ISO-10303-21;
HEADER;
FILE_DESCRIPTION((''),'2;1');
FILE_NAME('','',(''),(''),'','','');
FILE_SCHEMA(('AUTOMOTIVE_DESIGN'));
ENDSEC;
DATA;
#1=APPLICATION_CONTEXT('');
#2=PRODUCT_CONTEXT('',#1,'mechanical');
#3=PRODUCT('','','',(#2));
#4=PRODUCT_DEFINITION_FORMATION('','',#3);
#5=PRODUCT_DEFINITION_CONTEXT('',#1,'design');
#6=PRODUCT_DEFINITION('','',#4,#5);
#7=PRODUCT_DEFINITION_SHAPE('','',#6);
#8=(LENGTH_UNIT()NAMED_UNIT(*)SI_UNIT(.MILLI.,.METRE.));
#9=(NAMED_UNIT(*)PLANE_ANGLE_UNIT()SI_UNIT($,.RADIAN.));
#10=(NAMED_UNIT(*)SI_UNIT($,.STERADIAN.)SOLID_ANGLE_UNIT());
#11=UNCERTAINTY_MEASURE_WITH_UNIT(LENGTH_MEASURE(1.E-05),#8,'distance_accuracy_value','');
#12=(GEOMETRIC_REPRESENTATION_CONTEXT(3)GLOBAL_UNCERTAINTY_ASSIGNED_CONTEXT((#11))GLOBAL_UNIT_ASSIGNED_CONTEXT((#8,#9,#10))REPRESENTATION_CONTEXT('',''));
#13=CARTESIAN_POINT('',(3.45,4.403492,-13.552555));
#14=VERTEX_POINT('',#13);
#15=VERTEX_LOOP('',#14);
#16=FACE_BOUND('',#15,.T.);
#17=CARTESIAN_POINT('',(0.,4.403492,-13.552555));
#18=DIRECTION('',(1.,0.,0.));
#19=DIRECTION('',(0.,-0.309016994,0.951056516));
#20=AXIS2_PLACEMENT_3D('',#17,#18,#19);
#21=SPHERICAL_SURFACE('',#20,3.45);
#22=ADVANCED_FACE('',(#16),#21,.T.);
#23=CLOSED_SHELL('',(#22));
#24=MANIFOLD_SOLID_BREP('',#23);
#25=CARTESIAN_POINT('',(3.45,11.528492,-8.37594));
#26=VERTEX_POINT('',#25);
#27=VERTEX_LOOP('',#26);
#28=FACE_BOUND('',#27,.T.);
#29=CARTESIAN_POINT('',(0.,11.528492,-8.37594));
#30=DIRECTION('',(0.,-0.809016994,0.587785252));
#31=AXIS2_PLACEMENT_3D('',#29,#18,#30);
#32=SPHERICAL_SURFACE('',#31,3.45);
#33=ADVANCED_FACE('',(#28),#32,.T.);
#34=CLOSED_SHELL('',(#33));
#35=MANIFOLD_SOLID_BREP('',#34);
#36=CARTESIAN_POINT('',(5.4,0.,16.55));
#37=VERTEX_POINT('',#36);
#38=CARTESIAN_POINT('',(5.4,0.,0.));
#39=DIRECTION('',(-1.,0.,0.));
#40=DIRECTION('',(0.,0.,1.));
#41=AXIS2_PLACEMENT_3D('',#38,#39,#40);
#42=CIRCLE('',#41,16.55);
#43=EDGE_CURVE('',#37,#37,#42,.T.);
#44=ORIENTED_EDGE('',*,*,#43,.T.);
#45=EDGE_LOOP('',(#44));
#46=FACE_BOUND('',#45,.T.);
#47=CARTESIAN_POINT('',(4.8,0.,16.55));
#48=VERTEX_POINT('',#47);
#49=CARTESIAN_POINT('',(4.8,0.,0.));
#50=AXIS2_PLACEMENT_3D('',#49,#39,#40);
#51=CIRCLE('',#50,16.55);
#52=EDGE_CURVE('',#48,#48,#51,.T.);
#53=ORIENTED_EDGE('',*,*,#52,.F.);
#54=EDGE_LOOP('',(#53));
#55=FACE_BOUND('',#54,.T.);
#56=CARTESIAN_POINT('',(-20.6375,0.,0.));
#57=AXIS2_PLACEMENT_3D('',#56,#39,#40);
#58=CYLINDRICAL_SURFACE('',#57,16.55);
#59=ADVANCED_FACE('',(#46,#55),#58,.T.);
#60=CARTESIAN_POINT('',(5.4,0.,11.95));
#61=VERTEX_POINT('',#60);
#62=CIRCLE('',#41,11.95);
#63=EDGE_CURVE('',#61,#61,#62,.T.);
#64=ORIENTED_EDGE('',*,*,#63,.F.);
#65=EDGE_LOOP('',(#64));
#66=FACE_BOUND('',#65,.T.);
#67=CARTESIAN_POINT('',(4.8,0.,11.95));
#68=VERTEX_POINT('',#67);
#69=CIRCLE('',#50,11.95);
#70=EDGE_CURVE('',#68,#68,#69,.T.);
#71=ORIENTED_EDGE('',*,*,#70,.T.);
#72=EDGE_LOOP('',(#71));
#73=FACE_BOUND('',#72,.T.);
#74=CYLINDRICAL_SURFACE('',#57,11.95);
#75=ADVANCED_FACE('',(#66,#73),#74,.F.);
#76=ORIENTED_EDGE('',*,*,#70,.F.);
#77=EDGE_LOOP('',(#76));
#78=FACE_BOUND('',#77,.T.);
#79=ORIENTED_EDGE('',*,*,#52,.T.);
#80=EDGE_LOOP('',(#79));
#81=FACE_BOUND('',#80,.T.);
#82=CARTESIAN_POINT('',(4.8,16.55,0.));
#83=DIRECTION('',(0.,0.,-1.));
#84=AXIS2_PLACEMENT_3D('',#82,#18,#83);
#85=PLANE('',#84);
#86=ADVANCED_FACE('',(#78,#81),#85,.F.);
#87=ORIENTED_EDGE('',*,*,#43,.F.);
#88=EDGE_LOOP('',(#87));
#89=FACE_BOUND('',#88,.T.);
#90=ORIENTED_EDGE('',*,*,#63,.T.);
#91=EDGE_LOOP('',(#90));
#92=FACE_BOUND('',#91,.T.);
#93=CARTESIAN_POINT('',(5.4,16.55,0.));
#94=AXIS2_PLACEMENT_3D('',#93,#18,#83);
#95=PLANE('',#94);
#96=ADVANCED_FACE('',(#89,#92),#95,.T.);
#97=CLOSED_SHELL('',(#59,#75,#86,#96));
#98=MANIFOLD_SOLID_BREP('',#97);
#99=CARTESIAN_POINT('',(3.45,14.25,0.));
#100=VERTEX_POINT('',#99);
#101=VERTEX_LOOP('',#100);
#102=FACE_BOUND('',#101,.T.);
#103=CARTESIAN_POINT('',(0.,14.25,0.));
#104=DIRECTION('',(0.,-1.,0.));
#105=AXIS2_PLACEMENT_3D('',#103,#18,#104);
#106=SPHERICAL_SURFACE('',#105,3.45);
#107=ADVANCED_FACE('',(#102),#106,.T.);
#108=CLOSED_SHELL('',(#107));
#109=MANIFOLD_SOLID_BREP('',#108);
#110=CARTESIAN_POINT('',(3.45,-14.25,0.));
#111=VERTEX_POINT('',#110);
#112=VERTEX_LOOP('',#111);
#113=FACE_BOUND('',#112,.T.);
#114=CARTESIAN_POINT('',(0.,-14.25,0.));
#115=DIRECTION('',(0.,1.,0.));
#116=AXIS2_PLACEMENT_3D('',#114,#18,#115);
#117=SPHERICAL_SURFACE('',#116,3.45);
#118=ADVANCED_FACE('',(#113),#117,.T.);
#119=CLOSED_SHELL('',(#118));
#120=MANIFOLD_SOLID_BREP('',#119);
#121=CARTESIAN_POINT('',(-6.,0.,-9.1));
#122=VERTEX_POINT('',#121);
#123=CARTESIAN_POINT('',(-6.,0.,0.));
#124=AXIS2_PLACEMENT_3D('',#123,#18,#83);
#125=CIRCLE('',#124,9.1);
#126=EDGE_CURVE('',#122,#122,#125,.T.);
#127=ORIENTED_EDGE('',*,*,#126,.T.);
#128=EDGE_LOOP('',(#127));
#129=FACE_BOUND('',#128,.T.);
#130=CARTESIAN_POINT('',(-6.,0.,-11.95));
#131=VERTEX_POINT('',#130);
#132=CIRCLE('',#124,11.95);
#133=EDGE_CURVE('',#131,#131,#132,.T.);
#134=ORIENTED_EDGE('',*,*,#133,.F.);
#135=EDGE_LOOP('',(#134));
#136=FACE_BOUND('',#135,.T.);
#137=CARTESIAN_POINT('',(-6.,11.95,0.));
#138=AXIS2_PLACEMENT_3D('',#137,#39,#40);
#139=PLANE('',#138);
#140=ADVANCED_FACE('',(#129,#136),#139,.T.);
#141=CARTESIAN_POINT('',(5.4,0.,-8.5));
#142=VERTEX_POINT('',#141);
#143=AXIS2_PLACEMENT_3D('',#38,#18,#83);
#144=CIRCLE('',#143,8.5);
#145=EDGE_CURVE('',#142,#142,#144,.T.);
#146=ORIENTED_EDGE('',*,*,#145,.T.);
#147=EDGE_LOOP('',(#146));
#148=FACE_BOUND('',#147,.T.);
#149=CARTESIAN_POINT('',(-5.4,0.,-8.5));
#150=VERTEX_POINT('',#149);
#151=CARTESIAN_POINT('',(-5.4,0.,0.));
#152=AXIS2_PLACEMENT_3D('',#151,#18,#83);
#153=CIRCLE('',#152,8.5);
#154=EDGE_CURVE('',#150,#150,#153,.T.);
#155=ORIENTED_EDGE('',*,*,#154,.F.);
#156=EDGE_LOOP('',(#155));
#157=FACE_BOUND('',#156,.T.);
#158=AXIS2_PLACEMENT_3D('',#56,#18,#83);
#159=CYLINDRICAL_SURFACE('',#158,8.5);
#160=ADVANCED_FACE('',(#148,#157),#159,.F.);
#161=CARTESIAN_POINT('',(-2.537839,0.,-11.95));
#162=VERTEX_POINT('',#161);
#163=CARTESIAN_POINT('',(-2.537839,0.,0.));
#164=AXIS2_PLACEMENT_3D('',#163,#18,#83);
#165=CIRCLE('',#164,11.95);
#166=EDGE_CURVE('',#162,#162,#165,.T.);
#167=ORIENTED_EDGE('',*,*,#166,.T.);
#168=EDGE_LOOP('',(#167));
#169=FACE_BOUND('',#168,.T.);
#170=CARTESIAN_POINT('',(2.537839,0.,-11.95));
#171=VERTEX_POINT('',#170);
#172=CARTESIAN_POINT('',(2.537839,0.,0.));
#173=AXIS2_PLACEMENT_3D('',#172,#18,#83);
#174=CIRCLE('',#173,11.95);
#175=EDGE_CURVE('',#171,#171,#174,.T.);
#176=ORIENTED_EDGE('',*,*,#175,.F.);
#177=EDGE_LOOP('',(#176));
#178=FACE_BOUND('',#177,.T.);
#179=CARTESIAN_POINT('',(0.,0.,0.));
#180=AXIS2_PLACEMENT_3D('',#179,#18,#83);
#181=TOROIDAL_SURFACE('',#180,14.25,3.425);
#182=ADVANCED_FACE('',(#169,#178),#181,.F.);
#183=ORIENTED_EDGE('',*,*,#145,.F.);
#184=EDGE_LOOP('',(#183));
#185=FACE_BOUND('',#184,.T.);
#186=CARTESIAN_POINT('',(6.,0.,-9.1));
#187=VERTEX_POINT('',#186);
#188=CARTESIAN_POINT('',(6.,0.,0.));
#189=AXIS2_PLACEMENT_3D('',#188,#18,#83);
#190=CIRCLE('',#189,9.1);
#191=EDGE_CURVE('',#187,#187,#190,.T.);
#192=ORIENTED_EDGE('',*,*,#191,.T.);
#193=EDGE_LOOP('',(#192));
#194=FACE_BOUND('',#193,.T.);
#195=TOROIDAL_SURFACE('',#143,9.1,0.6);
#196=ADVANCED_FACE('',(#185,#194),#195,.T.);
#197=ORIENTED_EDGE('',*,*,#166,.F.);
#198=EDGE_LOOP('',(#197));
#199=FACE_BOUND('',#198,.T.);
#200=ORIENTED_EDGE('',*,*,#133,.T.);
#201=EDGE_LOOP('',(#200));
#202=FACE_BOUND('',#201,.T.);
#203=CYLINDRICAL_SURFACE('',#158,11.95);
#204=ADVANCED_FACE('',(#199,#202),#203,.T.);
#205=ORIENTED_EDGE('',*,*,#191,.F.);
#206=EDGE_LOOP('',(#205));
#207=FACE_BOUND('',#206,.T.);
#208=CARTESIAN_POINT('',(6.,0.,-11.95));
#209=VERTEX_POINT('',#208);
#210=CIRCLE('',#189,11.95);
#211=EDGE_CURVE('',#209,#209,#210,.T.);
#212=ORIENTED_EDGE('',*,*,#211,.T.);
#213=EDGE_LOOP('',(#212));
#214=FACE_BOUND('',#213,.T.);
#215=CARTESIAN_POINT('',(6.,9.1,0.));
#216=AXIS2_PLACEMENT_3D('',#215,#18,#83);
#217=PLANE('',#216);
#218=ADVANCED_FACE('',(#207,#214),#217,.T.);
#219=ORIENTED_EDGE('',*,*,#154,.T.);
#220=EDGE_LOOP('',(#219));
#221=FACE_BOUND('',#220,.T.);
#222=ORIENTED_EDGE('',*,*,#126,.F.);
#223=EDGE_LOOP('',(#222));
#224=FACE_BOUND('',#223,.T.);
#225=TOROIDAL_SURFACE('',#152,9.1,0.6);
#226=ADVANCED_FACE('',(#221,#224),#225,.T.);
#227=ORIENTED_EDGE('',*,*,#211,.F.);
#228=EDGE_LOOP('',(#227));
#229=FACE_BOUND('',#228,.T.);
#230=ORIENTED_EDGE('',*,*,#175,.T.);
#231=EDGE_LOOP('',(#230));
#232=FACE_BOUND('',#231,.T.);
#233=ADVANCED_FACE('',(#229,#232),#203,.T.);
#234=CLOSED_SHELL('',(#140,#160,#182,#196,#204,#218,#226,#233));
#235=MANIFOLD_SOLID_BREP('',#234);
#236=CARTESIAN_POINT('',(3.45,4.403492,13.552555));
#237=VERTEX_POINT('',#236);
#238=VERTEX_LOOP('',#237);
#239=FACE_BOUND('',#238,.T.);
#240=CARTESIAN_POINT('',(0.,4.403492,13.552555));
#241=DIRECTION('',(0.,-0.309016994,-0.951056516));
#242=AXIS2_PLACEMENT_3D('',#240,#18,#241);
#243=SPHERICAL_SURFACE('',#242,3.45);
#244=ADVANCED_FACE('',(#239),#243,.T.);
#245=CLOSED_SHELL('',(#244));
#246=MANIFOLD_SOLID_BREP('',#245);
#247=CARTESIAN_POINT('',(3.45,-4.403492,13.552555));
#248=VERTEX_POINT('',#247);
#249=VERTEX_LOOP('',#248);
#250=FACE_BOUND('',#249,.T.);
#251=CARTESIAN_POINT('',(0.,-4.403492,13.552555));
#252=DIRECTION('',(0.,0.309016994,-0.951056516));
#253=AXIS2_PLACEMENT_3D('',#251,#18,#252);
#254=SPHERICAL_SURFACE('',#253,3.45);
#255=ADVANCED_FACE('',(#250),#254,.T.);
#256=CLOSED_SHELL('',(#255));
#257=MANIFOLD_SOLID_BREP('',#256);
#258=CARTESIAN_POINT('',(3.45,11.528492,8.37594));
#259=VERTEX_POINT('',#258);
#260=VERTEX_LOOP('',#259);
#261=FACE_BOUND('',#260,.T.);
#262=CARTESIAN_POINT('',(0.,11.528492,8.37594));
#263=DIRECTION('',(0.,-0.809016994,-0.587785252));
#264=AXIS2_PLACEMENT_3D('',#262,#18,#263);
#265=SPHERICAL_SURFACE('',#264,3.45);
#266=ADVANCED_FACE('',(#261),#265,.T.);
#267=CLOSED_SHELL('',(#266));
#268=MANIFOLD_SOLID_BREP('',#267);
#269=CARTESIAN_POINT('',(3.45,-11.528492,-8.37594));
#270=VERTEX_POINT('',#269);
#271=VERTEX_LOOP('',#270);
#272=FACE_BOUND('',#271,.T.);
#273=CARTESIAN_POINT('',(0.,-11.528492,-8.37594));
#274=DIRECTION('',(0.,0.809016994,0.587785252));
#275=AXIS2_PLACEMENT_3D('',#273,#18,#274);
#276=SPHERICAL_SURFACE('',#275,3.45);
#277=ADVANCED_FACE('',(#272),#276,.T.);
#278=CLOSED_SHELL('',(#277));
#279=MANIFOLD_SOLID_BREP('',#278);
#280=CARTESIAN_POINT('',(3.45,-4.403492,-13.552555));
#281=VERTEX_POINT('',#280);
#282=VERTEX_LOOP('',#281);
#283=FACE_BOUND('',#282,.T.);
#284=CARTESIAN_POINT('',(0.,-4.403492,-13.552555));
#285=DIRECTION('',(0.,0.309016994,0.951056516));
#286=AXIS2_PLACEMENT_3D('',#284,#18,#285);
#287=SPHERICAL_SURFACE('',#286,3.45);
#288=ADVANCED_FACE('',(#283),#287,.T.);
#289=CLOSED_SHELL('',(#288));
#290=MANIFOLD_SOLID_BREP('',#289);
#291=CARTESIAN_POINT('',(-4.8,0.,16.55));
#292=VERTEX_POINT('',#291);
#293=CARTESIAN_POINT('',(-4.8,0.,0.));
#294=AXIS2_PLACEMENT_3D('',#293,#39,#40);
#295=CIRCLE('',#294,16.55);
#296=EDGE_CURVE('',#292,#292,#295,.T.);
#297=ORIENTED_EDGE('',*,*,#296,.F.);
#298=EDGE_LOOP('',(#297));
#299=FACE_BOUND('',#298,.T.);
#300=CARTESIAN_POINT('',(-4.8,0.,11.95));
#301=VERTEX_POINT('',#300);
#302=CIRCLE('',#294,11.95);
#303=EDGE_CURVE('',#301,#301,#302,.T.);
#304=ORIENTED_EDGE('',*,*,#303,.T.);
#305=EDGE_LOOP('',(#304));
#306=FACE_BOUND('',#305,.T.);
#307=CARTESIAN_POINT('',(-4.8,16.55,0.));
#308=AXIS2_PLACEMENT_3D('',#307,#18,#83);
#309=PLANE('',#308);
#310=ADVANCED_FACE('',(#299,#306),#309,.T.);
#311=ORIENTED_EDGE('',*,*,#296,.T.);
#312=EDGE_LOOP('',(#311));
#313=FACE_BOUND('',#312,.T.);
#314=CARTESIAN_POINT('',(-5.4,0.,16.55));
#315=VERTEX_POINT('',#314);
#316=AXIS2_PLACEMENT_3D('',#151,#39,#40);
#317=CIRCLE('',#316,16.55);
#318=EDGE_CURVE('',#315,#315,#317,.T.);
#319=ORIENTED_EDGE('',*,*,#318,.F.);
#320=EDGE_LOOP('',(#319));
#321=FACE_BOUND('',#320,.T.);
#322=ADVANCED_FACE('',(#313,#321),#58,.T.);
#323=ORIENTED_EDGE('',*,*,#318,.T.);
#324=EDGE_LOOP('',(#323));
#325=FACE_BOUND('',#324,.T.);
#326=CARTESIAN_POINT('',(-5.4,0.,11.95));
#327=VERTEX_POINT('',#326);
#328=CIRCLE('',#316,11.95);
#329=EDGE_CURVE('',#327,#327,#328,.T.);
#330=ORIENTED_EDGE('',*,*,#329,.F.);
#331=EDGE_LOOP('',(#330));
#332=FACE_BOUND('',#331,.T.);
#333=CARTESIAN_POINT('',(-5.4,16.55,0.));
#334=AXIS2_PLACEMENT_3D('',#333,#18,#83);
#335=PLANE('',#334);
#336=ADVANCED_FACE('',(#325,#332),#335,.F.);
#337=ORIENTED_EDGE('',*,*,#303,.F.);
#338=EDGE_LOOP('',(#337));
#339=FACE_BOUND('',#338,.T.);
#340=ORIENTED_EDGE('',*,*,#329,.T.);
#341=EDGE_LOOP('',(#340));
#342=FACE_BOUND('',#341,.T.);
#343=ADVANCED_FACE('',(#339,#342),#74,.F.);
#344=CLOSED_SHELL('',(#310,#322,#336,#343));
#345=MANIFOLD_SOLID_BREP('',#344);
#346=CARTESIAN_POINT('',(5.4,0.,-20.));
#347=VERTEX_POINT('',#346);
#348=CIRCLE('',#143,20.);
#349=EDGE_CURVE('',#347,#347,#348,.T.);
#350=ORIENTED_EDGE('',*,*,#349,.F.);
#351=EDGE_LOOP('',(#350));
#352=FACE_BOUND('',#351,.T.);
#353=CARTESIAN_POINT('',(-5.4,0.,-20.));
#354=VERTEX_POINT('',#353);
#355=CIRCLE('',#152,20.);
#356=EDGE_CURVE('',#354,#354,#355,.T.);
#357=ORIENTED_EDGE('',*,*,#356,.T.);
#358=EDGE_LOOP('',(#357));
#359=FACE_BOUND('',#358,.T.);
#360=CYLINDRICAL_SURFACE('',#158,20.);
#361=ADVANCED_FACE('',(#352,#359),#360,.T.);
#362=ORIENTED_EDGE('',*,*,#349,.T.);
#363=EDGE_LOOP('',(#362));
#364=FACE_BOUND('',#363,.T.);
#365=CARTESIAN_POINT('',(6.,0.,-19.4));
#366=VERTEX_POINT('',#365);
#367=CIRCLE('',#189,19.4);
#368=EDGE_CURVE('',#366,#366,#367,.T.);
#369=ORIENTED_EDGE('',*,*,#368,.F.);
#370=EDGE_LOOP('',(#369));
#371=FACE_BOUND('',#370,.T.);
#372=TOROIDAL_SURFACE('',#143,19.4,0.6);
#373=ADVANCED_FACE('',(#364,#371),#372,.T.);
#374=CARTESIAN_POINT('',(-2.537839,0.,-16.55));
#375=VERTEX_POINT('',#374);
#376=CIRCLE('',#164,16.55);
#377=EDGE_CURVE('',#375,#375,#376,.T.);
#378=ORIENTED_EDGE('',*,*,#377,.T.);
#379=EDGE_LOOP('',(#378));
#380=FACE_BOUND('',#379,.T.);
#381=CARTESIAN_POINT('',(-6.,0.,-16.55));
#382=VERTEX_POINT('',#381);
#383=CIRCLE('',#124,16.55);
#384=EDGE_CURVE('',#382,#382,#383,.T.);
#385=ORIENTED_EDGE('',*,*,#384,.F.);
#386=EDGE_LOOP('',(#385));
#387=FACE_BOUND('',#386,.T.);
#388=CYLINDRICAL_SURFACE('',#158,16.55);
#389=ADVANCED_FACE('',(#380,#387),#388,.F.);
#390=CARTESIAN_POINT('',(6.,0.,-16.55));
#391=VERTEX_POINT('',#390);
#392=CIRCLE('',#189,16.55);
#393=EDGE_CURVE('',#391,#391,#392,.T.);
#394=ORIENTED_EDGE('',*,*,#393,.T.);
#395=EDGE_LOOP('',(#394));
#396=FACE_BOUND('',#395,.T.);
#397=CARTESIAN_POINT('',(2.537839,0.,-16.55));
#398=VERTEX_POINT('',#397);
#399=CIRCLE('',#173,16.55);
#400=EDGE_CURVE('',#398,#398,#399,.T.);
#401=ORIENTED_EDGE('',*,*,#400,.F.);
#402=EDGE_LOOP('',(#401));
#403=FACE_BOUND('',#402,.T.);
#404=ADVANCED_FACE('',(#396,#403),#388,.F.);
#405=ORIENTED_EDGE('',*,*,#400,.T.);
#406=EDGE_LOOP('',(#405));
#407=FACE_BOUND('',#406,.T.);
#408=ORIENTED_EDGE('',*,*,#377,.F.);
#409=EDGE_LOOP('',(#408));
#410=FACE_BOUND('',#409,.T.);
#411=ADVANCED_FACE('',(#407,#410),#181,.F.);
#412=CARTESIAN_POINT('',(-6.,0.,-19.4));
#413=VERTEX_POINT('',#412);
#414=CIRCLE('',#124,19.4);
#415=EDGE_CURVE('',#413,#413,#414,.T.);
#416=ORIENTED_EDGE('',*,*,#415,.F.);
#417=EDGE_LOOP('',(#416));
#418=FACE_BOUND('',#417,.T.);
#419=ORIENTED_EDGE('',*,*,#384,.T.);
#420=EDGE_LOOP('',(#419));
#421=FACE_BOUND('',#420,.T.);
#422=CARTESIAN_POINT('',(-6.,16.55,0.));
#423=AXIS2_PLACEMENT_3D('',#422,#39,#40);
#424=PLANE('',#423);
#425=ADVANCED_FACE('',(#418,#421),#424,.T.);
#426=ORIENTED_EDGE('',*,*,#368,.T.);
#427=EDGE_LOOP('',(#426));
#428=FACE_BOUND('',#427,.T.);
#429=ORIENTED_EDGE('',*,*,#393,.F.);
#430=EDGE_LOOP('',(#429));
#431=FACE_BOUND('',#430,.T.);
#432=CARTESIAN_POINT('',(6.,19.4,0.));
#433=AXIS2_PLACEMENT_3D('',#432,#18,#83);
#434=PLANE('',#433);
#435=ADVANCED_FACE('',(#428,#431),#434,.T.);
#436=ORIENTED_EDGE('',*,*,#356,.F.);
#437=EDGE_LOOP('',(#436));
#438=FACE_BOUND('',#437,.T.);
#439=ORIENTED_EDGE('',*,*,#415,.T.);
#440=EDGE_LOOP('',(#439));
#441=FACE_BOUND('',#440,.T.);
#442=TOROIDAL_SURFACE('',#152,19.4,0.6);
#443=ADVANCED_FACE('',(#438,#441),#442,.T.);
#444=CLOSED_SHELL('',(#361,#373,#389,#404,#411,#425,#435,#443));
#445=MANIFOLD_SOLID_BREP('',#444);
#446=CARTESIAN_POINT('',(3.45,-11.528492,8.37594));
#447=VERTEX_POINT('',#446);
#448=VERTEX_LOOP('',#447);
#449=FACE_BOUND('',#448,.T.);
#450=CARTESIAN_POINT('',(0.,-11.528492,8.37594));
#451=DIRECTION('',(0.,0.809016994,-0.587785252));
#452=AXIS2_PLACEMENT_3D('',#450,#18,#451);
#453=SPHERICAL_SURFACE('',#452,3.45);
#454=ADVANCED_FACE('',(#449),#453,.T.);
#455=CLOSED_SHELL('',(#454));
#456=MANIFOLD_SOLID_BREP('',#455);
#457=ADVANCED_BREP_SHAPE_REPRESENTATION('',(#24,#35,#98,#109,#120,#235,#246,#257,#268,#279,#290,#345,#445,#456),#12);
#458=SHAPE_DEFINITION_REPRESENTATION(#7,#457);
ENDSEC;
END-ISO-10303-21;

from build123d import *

# Parameters (mm, degrees)
R_P_TITION_CIRCULAIRE1_COUNT = 10
ESQUISSE1_W                  = 0.6
ESQUISSE1_H                  = 4.6
ESQUISSE2_W                  = 0.6
ESQUISSE2_H                  = 4.6


with BuildPart() as part:
    # BalDetSke → BallDetailed (revolve)
    with BuildSketch(Plane.XY):
        with BuildLine():
            Line((-3.45, 14.25), (3.45, 14.25))
            ThreePointArc((3.45, 14.25), (0, 10.8), (-3.45, 14.25))
        make_face()
    revolve(axis=Axis((-1.905, 14.25, 0), (1, 0, 0)))


with BuildPart() as body_2:
    # InnRacSke → InnerRace (revolve)
    with BuildSketch(Plane.XY, mode=Mode.PRIVATE) as innerrace_sk:
        with BuildLine():
            Line((-2.537838647, 11.95), (-6, 11.95))
            Line((-6, 11.95), (-6, 9.1))
            ThreePointArc((-6, 9.1), (-5.824264069, 8.675735931), (-5.4, 8.5))
            Line((-5.4, 8.5), (5.4, 8.5))
            ThreePointArc((5.4, 8.5), (5.824264069, 8.675735931), (6, 9.1))
            Line((6, 9.1), (6, 11.95))
            Line((6, 11.95), (2.537838647, 11.95))
            ThreePointArc((2.537838647, 11.95), (0, 10.825), (-2.537838647, 11.95))
        make_face()
    revolve(innerrace_sk.sketch.rotate(Axis((-20.6375, 0, 0), (1, 0, 0)), 270), axis=Axis((-20.6375, 0, 0), (1, 0, 0)))


with BuildPart() as body_3:
    # OutRacSke → OuterRace (revolve)
    with BuildSketch(Plane.XY, mode=Mode.PRIVATE) as outerrace_sk:
        with BuildLine():
            Line((-2.537838647, 16.55), (-6, 16.55))
            Line((-6, 16.55), (-6, 19.4))
            ThreePointArc((-6, 19.4), (-5.824264069, 19.824264069), (-5.4, 20))
            Line((-5.4, 20), (5.4, 20))
            ThreePointArc((5.4, 20), (5.824264069, 19.824264069), (6, 19.4))
            Line((6, 19.4), (6, 16.55))
            Line((6, 16.55), (2.537838647, 16.55))
            ThreePointArc((2.537838647, 16.55), (0, 17.675), (-2.537838647, 16.55))
        make_face()
    revolve(outerrace_sk.sketch.rotate(Axis((-20.6375, 0, 0), (1, 0, 0)), 270), axis=Axis((-20.6375, 0, 0), (1, 0, 0)))


with BuildPart() as r_p_tition_circulaire1_1:
    # Répétition circulaire1: pattern copy
    add(part.part.rotate(Axis((0, 0, 0), (1, 0, 0)), 1 * 360 / R_P_TITION_CIRCULAIRE1_COUNT))


with BuildPart() as r_p_tition_circulaire1_2:
    # Répétition circulaire1: pattern copy
    add(part.part.rotate(Axis((0, 0, 0), (1, 0, 0)), 2 * 360 / R_P_TITION_CIRCULAIRE1_COUNT))


with BuildPart() as r_p_tition_circulaire1_3:
    # Répétition circulaire1: pattern copy
    add(part.part.rotate(Axis((0, 0, 0), (1, 0, 0)), 3 * 360 / R_P_TITION_CIRCULAIRE1_COUNT))


with BuildPart() as r_p_tition_circulaire1_4:
    # Répétition circulaire1: pattern copy
    add(part.part.rotate(Axis((0, 0, 0), (1, 0, 0)), 4 * 360 / R_P_TITION_CIRCULAIRE1_COUNT))


with BuildPart() as r_p_tition_circulaire1_5:
    # Répétition circulaire1: pattern copy
    add(part.part.rotate(Axis((0, 0, 0), (1, 0, 0)), 5 * 360 / R_P_TITION_CIRCULAIRE1_COUNT))


with BuildPart() as r_p_tition_circulaire1_6:
    # Répétition circulaire1: pattern copy
    add(part.part.rotate(Axis((0, 0, 0), (1, 0, 0)), 6 * 360 / R_P_TITION_CIRCULAIRE1_COUNT))


with BuildPart() as r_p_tition_circulaire1_7:
    # Répétition circulaire1: pattern copy
    add(part.part.rotate(Axis((0, 0, 0), (1, 0, 0)), 7 * 360 / R_P_TITION_CIRCULAIRE1_COUNT))


with BuildPart() as r_p_tition_circulaire1_8:
    # Répétition circulaire1: pattern copy
    add(part.part.rotate(Axis((0, 0, 0), (1, 0, 0)), 8 * 360 / R_P_TITION_CIRCULAIRE1_COUNT))


with BuildPart() as r_p_tition_circulaire1_9:
    # Répétition circulaire1: pattern copy
    add(part.part.rotate(Axis((0, 0, 0), (1, 0, 0)), 9 * 360 / R_P_TITION_CIRCULAIRE1_COUNT))


with BuildPart() as body_13:
    # Esquisse1 → Révol.-Mince3 (revolve)
    with BuildSketch(Plane.XY, mode=Mode.PRIVATE) as r_vol_mince3_sk:
        with Locations((5.1, 14.25)):
            Rectangle(ESQUISSE1_W, ESQUISSE1_H)
    revolve(r_vol_mince3_sk.sketch.rotate(Axis((-20.6375, 0, 0), (1, 0, 0)), 90), axis=Axis((-20.6375, 0, 0), (1, 0, 0)))


with BuildPart() as body_14:
    # Esquisse2 → Révol.-Mince5 (revolve)
    with BuildSketch(Plane.XY, mode=Mode.PRIVATE) as r_vol_mince5_sk:
        with Locations((-5.1, 14.25)):
            Rectangle(ESQUISSE2_W, ESQUISSE2_H)
    revolve(r_vol_mince5_sk.sketch.rotate(Axis((-20.6375, 0, 0), (1, 0, 0)), 90), axis=Axis((-20.6375, 0, 0), (1, 0, 0)))


solid = Compound([part.part, body_2.part, body_3.part, r_p_tition_circulaire1_1.part, r_p_tition_circulaire1_2.part, r_p_tition_circulaire1_3.part, r_p_tition_circulaire1_4.part, r_p_tition_circulaire1_5.part, r_p_tition_circulaire1_6.part, r_p_tition_circulaire1_7.part, r_p_tition_circulaire1_8.part, r_p_tition_circulaire1_9.part, body_13.part, body_14.part])
